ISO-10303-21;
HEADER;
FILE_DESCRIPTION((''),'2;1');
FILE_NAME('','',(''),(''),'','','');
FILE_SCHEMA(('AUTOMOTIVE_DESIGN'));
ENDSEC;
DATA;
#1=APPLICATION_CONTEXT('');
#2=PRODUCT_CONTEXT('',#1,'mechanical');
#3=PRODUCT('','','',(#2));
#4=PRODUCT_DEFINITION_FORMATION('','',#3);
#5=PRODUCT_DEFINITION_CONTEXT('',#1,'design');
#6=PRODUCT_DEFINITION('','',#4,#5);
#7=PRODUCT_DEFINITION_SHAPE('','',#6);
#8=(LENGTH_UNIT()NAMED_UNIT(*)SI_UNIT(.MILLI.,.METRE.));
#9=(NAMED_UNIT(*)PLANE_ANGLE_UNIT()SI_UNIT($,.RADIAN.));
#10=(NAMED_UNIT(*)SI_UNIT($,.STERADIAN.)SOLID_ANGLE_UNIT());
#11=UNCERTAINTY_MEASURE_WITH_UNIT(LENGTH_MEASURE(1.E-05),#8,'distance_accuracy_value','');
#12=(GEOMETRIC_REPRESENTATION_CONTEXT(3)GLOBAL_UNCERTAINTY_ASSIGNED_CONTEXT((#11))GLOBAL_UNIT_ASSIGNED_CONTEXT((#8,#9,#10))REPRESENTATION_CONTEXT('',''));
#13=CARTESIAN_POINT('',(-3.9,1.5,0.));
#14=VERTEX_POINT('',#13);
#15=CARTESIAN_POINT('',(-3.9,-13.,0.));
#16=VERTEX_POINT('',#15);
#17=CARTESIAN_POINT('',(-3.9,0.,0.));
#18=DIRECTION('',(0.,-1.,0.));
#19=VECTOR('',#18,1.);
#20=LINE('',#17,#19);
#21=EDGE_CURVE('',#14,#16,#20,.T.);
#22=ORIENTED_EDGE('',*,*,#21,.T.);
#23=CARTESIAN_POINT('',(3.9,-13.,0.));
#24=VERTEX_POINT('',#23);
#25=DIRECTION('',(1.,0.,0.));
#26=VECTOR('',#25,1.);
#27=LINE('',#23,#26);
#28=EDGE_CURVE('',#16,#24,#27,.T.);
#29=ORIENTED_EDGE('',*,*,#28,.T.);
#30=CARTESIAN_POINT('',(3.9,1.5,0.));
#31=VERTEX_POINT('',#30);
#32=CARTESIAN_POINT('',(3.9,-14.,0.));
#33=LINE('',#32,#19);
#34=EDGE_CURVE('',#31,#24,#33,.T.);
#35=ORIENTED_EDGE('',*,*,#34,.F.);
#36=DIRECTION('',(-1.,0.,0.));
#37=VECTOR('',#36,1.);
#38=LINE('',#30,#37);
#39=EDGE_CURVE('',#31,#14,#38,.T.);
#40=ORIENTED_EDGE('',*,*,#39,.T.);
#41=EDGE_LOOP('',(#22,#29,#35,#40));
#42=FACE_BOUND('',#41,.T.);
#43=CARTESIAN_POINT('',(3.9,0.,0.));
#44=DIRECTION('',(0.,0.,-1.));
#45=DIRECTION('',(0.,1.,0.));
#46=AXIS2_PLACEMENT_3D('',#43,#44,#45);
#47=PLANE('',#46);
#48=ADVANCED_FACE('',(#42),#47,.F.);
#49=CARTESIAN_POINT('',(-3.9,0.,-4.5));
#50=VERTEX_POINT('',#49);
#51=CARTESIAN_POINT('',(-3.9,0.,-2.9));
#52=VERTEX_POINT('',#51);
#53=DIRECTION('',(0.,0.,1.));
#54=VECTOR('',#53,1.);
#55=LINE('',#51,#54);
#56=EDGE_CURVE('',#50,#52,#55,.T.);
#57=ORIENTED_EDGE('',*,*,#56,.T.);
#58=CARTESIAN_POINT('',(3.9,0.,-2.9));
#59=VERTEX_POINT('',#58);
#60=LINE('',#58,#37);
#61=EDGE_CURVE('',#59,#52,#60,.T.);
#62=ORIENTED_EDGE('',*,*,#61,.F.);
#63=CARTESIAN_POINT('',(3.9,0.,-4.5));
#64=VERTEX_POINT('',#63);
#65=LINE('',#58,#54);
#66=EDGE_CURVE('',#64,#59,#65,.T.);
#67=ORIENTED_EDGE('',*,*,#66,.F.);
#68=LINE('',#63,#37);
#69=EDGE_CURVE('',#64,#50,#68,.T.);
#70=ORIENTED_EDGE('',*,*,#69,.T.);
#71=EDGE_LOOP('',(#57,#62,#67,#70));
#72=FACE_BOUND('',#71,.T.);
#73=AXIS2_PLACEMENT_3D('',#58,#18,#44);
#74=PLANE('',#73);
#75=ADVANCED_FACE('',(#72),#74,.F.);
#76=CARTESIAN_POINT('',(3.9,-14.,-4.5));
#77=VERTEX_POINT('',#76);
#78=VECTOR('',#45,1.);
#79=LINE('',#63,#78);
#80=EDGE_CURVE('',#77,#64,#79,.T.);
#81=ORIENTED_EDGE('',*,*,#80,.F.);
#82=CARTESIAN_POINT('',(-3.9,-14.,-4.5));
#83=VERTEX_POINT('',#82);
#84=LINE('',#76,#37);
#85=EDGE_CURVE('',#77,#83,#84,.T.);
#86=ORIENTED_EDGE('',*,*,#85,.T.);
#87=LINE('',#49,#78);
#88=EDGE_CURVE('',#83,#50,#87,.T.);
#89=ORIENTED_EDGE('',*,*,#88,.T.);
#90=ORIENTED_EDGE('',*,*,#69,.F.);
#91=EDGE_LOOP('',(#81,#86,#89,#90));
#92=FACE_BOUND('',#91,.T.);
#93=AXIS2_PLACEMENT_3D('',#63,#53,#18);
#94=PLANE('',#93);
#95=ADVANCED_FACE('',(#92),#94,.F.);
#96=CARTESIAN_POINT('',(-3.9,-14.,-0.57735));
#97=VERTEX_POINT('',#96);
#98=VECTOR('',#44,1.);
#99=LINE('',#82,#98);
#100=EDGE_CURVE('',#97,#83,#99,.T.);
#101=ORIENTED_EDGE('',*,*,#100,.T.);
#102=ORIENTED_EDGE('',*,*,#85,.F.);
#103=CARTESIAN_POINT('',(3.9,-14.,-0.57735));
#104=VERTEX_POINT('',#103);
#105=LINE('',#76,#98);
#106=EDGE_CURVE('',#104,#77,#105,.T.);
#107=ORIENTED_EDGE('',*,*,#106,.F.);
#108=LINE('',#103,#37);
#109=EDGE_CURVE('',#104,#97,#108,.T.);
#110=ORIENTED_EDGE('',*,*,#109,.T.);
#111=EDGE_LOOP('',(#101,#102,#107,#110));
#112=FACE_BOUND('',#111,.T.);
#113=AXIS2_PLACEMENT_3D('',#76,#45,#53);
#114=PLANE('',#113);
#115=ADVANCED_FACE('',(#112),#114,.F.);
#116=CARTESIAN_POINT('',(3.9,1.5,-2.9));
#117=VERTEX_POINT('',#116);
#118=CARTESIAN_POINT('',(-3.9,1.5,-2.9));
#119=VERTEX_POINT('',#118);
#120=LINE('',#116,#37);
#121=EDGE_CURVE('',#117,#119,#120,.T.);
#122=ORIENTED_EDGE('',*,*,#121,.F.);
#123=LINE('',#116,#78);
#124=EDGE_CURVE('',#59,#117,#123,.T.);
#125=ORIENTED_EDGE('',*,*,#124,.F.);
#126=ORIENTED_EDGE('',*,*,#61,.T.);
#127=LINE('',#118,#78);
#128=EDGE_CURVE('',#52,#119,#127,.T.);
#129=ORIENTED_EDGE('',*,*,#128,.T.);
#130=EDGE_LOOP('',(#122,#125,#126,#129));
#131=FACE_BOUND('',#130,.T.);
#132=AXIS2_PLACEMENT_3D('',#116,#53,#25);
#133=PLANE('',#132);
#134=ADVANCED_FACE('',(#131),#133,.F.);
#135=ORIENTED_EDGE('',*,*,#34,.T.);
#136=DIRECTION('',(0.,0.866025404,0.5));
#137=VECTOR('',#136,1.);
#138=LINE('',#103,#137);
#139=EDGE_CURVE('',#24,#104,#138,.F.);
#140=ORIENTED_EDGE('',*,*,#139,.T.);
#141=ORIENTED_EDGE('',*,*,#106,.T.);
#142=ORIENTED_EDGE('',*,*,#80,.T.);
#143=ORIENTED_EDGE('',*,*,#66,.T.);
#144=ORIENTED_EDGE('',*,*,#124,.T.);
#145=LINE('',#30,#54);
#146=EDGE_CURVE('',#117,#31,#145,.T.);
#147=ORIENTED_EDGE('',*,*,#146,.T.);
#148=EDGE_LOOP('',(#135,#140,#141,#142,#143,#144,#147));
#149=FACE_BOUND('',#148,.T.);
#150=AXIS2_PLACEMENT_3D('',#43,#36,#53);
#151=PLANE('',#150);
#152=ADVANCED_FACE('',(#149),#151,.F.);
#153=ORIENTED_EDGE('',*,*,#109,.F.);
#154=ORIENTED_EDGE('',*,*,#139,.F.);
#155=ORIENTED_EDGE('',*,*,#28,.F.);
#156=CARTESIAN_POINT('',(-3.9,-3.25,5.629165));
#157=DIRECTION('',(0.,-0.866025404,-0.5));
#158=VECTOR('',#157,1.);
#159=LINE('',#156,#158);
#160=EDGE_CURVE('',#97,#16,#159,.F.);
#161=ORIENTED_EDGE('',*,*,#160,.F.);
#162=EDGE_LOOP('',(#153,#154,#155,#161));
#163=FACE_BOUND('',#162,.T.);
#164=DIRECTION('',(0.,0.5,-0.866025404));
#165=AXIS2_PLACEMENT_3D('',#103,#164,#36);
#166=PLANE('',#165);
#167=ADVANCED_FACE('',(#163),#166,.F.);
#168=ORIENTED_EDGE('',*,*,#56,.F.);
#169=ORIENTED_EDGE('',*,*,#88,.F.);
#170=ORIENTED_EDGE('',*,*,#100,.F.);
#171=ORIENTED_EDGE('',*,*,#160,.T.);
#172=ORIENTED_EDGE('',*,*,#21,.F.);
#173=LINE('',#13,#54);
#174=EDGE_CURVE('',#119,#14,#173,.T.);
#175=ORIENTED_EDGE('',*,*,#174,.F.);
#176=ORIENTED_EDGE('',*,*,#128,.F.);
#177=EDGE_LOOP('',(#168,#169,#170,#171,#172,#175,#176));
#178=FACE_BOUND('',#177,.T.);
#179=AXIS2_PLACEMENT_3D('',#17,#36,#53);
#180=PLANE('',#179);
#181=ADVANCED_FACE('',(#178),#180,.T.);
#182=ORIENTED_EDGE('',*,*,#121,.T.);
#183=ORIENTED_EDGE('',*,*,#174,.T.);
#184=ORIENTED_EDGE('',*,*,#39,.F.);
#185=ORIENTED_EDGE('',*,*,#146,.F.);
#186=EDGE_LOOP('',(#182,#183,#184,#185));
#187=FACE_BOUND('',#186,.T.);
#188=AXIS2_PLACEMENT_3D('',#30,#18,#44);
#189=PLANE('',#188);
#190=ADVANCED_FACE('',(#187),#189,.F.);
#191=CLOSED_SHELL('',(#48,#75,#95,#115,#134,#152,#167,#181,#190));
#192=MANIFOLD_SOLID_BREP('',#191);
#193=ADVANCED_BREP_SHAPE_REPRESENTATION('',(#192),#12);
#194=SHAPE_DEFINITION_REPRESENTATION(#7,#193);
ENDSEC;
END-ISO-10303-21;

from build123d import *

# Parameters (mm, degrees)
EXTRUDE_1_DEPTH = 3.9
CHAMFER_1_SIZE  = 1
CHAMFER_1_SIZE2 = 0.577350269


with BuildPart() as part:
    # Эскиз1 → Бобышка-Вытянуть1 (new, symmetric)
    with BuildSketch(Plane(origin=(0, 0, 0), x_dir=(0, 0, -1), z_dir=(1, 0, 0))):
        Polygon((0, 0), (0, 1.5), (2.9, 1.5), (2.9, 0), (4.5, 0), (4.5, -14), (0, -14), align=None)
    extrude(amount=EXTRUDE_1_DEPTH, both=True)

    # Фаска1
    chamfer_1_edges = [part.edges().sort_by_distance(p)[0] for p in [
        (0, -14, 0),
    ]]
    chamfer_1_side = [part.faces().sort_by_distance(p)[0] for p in [
        (0, -6.25, 0),
    ]]
    chamfer(chamfer_1_edges, length=CHAMFER_1_SIZE, length2=CHAMFER_1_SIZE2, reference=chamfer_1_side[0])


solid = part.part
